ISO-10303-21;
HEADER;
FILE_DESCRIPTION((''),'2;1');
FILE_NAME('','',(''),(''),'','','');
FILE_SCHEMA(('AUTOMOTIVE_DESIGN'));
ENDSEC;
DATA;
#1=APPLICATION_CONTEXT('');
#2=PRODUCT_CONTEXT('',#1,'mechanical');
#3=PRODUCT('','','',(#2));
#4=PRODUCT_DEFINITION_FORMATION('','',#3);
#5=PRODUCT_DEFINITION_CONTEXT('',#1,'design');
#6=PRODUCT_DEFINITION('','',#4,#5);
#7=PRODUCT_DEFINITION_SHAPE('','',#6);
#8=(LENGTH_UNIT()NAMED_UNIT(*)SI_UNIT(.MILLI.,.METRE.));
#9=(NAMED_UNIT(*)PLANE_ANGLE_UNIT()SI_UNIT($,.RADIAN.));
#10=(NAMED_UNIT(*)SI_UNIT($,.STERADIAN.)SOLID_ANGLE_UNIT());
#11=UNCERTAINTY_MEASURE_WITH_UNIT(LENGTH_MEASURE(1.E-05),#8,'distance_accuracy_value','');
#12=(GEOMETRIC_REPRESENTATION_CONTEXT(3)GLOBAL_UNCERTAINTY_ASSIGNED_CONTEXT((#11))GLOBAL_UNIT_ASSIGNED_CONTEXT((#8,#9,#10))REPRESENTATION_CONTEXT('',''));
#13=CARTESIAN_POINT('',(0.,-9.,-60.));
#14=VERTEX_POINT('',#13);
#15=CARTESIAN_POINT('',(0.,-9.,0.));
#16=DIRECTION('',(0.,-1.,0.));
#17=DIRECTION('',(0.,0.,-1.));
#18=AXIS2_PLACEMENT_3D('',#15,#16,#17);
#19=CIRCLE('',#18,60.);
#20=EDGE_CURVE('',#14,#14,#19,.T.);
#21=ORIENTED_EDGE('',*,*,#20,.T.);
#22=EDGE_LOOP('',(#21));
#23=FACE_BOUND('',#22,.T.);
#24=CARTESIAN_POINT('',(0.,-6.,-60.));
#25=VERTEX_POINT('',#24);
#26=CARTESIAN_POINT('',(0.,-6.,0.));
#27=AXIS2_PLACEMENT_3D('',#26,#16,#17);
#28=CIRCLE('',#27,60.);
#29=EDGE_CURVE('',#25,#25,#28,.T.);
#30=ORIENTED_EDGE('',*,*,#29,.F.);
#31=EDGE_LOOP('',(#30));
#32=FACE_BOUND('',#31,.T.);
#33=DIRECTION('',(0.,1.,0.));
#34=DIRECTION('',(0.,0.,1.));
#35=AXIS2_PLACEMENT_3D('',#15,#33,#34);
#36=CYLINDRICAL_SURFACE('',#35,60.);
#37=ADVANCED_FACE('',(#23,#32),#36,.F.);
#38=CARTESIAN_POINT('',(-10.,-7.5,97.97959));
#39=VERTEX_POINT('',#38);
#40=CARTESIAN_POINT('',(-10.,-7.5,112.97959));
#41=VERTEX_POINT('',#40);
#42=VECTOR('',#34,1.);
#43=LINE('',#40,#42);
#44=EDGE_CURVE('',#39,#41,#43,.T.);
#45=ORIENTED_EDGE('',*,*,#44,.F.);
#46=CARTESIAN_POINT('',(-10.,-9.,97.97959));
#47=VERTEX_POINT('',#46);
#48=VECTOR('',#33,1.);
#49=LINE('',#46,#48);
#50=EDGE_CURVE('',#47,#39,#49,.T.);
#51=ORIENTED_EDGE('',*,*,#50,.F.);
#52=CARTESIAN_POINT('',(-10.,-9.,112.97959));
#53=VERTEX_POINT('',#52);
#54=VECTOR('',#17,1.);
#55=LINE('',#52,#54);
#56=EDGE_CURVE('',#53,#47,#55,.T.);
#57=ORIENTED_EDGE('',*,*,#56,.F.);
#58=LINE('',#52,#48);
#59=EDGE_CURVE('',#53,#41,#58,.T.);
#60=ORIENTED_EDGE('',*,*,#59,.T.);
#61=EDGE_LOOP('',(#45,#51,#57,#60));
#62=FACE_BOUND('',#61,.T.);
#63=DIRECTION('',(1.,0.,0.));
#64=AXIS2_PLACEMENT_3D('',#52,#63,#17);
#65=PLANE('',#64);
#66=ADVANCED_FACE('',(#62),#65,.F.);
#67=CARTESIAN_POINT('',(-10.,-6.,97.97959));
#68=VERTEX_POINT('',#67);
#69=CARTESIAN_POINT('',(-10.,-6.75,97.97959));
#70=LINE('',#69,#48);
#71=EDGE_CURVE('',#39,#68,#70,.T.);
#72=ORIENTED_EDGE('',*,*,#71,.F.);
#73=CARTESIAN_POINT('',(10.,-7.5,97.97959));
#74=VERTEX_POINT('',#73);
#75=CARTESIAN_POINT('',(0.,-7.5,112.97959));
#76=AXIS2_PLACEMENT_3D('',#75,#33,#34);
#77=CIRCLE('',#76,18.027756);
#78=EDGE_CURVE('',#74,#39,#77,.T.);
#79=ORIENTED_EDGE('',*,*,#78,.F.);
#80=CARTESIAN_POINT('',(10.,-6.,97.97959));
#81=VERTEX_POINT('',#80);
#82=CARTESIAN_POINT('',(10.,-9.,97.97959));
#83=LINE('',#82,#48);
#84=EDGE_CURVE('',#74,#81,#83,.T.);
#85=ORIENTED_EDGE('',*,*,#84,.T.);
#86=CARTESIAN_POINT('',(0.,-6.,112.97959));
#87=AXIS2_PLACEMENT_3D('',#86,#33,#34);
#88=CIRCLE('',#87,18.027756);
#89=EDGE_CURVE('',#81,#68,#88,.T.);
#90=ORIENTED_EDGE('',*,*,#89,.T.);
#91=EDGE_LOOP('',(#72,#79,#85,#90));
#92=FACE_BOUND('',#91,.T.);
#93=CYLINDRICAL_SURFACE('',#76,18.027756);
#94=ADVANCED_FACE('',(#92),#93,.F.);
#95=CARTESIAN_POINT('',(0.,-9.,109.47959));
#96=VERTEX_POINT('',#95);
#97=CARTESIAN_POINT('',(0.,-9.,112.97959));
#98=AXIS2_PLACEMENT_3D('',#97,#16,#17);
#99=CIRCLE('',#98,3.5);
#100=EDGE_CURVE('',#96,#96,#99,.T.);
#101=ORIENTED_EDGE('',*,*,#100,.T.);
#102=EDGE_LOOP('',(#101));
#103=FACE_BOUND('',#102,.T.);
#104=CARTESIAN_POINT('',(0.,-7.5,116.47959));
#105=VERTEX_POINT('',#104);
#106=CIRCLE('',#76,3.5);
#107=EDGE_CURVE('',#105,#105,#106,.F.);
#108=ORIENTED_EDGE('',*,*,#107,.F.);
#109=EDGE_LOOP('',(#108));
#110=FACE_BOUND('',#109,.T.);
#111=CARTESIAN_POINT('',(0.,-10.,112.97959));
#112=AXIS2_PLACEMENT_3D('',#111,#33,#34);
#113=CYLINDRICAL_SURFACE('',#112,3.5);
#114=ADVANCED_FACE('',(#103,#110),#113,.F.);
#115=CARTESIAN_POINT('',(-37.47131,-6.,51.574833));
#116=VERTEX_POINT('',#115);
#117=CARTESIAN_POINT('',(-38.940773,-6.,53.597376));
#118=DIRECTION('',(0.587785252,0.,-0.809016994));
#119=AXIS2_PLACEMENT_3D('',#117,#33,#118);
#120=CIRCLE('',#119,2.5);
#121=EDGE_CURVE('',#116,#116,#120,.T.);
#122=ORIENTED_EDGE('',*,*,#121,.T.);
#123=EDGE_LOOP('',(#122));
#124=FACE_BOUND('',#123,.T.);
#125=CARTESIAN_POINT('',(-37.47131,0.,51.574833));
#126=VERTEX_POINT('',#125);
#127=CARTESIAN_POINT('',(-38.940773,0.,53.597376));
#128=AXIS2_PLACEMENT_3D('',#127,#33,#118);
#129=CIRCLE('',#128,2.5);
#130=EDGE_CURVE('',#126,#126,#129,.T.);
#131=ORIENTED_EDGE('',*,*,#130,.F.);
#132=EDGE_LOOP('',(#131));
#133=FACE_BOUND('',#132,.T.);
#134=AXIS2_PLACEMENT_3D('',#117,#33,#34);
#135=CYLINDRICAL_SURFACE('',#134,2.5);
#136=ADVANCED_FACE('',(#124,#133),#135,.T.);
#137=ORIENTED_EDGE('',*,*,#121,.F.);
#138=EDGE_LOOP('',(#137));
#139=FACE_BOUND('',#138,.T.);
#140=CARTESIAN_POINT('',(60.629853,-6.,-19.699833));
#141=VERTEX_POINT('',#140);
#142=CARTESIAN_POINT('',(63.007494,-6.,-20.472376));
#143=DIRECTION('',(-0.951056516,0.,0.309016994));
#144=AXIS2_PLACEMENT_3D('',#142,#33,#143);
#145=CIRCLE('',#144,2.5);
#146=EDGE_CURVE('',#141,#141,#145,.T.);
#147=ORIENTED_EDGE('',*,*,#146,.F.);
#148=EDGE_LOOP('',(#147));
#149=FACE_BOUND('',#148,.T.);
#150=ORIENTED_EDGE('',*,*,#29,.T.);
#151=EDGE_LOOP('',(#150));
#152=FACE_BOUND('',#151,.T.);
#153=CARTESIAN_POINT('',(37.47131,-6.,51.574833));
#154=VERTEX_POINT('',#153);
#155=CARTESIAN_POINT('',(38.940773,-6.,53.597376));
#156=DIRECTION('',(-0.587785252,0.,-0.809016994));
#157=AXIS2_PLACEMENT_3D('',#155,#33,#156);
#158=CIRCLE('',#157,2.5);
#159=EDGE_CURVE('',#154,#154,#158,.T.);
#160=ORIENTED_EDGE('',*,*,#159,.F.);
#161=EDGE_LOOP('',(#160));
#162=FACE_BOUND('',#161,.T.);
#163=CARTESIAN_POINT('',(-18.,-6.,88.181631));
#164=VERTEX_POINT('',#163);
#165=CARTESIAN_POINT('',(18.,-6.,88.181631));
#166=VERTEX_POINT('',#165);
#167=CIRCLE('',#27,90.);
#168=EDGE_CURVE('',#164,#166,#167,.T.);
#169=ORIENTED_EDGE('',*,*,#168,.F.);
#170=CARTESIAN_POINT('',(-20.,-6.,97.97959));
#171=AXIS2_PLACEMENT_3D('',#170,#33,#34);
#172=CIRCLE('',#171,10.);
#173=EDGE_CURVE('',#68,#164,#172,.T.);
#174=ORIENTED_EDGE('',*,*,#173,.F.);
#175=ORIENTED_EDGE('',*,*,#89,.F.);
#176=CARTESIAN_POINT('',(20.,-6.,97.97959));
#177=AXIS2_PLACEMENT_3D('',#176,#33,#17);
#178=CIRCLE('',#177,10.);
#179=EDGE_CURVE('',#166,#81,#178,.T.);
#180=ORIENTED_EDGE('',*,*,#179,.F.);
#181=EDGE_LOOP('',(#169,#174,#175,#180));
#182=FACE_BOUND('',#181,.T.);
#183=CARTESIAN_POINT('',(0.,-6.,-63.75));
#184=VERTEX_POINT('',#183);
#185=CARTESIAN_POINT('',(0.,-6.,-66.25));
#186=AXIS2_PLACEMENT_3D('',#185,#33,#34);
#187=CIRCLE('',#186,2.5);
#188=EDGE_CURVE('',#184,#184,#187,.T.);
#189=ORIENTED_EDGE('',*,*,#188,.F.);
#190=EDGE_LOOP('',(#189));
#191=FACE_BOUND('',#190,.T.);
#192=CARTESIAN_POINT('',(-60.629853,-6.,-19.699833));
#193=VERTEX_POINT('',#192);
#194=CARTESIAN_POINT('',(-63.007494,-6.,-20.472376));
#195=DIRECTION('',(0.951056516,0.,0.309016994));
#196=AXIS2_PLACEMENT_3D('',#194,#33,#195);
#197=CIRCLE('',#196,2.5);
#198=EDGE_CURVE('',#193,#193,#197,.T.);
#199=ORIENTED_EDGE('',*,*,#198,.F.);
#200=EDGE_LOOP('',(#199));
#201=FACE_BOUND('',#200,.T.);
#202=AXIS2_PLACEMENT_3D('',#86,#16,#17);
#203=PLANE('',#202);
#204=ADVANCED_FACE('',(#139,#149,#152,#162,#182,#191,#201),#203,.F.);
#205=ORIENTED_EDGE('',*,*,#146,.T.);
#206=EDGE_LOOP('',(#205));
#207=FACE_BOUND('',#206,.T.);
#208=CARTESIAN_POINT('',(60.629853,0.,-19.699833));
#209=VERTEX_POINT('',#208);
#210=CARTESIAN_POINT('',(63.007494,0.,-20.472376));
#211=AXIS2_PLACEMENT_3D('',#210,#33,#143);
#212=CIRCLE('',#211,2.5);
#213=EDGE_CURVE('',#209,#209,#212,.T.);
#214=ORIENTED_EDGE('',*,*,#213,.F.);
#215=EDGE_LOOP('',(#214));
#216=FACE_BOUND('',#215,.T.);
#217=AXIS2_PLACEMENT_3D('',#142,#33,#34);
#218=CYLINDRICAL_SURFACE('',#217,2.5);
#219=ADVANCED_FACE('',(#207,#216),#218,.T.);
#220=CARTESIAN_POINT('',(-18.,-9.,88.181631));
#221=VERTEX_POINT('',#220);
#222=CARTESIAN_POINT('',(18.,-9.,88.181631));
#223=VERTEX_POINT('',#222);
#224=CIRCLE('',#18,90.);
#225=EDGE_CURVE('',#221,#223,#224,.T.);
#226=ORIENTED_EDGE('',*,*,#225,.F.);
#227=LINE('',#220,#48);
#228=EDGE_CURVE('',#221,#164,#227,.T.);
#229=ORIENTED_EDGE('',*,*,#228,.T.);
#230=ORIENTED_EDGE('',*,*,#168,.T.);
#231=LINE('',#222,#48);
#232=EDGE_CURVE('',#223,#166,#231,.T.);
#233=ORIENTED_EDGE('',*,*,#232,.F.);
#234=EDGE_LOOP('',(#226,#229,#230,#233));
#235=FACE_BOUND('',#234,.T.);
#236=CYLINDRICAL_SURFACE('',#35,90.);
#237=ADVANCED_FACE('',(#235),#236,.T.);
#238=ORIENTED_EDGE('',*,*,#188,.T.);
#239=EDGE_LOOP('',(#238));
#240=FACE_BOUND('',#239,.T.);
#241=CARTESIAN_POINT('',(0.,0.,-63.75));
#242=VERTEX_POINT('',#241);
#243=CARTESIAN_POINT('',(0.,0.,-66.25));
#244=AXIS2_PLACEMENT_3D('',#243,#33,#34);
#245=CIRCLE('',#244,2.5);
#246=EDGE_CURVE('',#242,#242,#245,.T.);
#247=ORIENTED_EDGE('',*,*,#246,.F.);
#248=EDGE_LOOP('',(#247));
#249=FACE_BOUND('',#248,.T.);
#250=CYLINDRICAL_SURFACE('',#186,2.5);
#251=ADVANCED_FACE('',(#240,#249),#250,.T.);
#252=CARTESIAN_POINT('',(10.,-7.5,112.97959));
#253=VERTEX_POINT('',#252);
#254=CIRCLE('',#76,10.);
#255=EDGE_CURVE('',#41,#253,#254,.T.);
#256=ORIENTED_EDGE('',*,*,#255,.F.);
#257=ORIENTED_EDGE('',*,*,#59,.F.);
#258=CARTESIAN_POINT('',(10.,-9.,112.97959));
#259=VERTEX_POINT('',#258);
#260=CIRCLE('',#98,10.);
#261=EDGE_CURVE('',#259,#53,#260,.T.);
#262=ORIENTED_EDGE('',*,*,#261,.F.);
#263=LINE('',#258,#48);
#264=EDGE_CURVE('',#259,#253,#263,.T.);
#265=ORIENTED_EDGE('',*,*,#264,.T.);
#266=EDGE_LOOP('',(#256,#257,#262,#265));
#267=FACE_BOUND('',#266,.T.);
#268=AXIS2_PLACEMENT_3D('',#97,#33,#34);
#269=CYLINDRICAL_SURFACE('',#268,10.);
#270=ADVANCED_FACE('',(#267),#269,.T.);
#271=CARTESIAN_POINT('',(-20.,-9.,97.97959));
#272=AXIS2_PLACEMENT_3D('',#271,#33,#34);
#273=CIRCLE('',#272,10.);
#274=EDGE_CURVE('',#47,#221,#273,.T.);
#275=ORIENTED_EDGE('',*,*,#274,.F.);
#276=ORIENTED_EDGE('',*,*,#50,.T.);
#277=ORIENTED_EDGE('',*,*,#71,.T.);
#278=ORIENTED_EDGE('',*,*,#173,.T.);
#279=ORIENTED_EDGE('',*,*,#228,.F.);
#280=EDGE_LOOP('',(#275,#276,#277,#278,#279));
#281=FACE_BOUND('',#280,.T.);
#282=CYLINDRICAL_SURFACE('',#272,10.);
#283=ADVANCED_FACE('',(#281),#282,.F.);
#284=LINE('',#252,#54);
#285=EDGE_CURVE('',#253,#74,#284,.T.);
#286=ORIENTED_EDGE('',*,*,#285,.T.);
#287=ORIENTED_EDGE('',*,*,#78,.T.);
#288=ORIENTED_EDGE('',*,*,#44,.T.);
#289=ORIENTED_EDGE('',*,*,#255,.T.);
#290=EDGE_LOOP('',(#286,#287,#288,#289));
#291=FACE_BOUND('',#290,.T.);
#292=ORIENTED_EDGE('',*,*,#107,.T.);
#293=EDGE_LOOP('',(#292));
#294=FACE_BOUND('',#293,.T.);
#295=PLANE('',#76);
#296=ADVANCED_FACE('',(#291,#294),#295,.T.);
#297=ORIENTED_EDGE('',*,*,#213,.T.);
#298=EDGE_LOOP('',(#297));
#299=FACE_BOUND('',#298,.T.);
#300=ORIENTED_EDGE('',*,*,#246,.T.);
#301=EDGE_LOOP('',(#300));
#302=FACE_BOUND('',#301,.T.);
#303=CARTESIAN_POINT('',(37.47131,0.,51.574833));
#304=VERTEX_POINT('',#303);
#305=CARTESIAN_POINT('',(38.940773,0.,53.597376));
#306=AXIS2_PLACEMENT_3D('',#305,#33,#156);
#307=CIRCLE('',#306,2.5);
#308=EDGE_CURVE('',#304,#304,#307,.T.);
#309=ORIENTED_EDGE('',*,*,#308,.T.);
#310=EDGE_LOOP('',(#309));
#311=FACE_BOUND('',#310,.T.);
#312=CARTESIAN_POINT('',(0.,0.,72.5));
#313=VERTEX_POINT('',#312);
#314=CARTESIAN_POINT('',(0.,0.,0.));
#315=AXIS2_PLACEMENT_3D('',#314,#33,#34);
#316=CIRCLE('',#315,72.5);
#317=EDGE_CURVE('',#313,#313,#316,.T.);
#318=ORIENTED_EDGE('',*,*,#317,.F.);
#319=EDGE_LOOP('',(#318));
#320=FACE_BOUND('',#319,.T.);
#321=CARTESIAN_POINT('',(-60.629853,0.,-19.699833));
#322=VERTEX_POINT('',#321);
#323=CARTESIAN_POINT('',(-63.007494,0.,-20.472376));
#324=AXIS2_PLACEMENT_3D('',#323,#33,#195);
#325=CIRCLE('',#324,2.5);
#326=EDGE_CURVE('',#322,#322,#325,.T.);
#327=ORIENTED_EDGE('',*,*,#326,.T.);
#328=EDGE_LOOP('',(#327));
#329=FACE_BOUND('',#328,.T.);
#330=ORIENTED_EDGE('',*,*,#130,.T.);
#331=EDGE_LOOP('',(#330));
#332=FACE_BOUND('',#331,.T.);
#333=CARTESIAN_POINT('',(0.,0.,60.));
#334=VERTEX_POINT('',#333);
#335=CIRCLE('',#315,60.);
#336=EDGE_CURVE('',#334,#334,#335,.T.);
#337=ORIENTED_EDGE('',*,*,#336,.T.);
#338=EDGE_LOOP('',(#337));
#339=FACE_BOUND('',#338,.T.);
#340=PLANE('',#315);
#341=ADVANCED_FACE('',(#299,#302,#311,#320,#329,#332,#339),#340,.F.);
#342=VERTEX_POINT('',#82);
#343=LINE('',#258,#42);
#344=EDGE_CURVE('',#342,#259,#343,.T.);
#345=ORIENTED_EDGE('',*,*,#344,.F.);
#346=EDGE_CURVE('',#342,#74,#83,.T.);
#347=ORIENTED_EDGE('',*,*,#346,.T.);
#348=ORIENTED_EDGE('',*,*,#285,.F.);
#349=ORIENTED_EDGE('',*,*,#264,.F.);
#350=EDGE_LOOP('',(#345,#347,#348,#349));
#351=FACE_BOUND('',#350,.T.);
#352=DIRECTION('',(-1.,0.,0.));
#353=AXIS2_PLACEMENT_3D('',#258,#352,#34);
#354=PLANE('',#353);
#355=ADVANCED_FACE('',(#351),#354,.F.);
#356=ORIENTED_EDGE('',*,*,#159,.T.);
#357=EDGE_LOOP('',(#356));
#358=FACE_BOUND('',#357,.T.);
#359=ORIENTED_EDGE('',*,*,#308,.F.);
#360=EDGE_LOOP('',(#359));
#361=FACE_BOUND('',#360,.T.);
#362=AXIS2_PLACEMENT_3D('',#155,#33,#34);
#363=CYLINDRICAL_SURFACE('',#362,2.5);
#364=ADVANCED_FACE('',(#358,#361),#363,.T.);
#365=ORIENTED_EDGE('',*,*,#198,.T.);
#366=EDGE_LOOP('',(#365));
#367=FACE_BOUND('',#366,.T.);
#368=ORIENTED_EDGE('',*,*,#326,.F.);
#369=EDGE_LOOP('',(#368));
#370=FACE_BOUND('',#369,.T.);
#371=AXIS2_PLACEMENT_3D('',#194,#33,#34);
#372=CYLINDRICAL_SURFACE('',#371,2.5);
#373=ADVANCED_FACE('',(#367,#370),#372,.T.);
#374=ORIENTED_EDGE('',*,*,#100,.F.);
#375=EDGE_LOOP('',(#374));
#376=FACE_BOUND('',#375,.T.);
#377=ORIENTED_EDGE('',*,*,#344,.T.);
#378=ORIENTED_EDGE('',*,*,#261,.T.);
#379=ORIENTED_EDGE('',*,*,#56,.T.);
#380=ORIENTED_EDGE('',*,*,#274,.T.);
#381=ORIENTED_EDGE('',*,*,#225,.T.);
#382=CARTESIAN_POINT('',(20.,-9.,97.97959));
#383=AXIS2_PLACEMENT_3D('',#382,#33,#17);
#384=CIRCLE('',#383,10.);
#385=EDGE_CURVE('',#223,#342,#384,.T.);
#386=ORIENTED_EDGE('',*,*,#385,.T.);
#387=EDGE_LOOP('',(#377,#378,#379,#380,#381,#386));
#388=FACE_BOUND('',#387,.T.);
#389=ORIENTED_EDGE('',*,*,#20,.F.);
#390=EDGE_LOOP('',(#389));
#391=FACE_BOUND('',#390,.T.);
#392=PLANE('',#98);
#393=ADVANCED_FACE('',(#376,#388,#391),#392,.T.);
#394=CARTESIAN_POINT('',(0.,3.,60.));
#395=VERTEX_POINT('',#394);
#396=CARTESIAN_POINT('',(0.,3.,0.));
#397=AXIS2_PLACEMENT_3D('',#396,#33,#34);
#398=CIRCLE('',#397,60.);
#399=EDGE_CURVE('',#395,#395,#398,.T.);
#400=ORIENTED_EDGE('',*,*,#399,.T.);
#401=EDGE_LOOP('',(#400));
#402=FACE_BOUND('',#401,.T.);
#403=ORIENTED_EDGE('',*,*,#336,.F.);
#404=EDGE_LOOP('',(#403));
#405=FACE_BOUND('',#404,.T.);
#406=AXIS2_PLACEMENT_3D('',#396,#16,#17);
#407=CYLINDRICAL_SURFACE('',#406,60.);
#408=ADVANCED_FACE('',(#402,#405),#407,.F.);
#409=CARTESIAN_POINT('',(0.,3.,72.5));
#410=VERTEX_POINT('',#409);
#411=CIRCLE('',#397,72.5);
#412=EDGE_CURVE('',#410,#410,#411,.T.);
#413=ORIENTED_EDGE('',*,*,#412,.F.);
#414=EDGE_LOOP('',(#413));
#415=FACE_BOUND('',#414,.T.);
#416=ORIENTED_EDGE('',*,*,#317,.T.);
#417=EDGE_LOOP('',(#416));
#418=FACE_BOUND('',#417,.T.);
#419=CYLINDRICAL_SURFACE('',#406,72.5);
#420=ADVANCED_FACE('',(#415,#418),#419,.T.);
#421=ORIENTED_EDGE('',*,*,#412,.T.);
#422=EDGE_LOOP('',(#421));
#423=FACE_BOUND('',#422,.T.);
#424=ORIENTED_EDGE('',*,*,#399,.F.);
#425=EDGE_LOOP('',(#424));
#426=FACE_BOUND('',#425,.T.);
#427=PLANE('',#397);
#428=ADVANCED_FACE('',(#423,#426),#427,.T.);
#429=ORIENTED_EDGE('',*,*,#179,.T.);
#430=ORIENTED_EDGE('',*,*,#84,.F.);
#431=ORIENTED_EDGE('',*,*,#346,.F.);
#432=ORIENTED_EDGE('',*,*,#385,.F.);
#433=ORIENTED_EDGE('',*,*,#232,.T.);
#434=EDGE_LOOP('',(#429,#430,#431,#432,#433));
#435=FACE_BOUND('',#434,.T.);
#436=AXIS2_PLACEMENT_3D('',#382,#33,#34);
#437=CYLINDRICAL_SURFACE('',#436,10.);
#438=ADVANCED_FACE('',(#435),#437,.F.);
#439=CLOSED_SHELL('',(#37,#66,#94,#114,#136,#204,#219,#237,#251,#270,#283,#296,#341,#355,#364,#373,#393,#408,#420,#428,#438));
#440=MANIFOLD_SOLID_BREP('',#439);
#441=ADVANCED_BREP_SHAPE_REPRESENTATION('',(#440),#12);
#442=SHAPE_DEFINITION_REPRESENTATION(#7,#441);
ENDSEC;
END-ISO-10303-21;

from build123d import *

# Parameters (mm, degrees)
SKETCH_1_R               = 72.5
SKETCH_1_R_2             = 60
EXTRUDE_1_DEPTH          = 3
SKETCH_2_R               = 2.5
EXTRUDE_2_DEPTH          = 6
PATTERN_CIRCULAR_1_COUNT = 5
EXTRUDE_START            = 3
SKETCH_3_R               = 60
EXTRUDE_3_DEPTH          = 3
SKETCH_4_R               = 3.5
CUT_EXTRUDE_1_DEPTH      = 10
SKETCH_5_R               = 18.027756377
CUT_EXTRUDE_2_DEPTH      = 1.5


with BuildPart() as part:
    # 草图1 → 凸台-拉伸1 (new body)
    with BuildSketch(Plane(origin=(0, 0, 0), x_dir=(1, 0, 0), z_dir=(0, 1, 0))):
        with Locations(Location((0, 0, 0), (0, 0, 270))):
            Circle(SKETCH_1_R)
        with Locations(Location((0, 0, 0), (0, 0, 270))):
            Circle(SKETCH_1_R_2, mode=Mode.SUBTRACT)
    extrude(amount=EXTRUDE_1_DEPTH)

    # 草图2 → 凸台-拉伸2 (add)
    with BuildSketch(Plane(origin=(0, 0, 0), x_dir=(1, 0, 0), z_dir=(0, 1, 0))):
        with Locations(Location((0, 66.25, 0), (0, 0, 270))):
            Circle(SKETCH_2_R)
    extrude_2 = extrude(amount=-EXTRUDE_2_DEPTH)

    # 阵列(圆周)1: 凸台-拉伸2 ×5 about axis
    pattern_circular_1_axis = Axis((0, 0, 0), (0, 1, 0))
    for i in range(1, PATTERN_CIRCULAR_1_COUNT):
        add(extrude_2.rotate(pattern_circular_1_axis, i * 360 / PATTERN_CIRCULAR_1_COUNT))

    # 草图3 → 凸台-拉伸3 (add)
    with BuildSketch(Plane.XZ.offset(6).offset(EXTRUDE_START)):
        with BuildLine():
            Line((10, 112.979589711), (10, 97.979589711))
            ThreePointArc((10, 97.979589711), (12.254033308, 91.655034391), (18, 88.18163074))
            ThreePointArc((18, 88.18163074), (0, -90), (-18, 88.18163074))
            ThreePointArc((-18, 88.18163074), (-12.254033308, 91.655034391), (-10, 97.979589711))
            Line((-10, 97.979589711), (-10, 112.979589711))
            ThreePointArc((-10, 112.979589711), (0, 122.979589711), (10, 112.979589711))
        make_face()
        with Locations(Location((0, 0, 0), (0, 0, 90))):
            Circle(SKETCH_3_R, mode=Mode.SUBTRACT)
    extrude(amount=-EXTRUDE_3_DEPTH)

    # 草图4 → 切除-拉伸1 (cut)
    with BuildSketch(Plane(origin=(0, 0, 0), x_dir=(1, 0, 0), z_dir=(0, 1, 0))):
        with Locations(Location((0, -112.979589711, 0), (0, 0, 90))):
            Circle(SKETCH_4_R)
    extrude(amount=-CUT_EXTRUDE_1_DEPTH, mode=Mode.SUBTRACT)

    # 草图5 → 切除-拉伸2 (cut)
    with BuildSketch(Plane(origin=(0, -6, 0), x_dir=(1, 0, 0), z_dir=(0, 1, 0))):
        with Locations((0, -112.979589711)):
            Circle(SKETCH_5_R)
    extrude(amount=-CUT_EXTRUDE_2_DEPTH, mode=Mode.SUBTRACT)


solid = part.part
